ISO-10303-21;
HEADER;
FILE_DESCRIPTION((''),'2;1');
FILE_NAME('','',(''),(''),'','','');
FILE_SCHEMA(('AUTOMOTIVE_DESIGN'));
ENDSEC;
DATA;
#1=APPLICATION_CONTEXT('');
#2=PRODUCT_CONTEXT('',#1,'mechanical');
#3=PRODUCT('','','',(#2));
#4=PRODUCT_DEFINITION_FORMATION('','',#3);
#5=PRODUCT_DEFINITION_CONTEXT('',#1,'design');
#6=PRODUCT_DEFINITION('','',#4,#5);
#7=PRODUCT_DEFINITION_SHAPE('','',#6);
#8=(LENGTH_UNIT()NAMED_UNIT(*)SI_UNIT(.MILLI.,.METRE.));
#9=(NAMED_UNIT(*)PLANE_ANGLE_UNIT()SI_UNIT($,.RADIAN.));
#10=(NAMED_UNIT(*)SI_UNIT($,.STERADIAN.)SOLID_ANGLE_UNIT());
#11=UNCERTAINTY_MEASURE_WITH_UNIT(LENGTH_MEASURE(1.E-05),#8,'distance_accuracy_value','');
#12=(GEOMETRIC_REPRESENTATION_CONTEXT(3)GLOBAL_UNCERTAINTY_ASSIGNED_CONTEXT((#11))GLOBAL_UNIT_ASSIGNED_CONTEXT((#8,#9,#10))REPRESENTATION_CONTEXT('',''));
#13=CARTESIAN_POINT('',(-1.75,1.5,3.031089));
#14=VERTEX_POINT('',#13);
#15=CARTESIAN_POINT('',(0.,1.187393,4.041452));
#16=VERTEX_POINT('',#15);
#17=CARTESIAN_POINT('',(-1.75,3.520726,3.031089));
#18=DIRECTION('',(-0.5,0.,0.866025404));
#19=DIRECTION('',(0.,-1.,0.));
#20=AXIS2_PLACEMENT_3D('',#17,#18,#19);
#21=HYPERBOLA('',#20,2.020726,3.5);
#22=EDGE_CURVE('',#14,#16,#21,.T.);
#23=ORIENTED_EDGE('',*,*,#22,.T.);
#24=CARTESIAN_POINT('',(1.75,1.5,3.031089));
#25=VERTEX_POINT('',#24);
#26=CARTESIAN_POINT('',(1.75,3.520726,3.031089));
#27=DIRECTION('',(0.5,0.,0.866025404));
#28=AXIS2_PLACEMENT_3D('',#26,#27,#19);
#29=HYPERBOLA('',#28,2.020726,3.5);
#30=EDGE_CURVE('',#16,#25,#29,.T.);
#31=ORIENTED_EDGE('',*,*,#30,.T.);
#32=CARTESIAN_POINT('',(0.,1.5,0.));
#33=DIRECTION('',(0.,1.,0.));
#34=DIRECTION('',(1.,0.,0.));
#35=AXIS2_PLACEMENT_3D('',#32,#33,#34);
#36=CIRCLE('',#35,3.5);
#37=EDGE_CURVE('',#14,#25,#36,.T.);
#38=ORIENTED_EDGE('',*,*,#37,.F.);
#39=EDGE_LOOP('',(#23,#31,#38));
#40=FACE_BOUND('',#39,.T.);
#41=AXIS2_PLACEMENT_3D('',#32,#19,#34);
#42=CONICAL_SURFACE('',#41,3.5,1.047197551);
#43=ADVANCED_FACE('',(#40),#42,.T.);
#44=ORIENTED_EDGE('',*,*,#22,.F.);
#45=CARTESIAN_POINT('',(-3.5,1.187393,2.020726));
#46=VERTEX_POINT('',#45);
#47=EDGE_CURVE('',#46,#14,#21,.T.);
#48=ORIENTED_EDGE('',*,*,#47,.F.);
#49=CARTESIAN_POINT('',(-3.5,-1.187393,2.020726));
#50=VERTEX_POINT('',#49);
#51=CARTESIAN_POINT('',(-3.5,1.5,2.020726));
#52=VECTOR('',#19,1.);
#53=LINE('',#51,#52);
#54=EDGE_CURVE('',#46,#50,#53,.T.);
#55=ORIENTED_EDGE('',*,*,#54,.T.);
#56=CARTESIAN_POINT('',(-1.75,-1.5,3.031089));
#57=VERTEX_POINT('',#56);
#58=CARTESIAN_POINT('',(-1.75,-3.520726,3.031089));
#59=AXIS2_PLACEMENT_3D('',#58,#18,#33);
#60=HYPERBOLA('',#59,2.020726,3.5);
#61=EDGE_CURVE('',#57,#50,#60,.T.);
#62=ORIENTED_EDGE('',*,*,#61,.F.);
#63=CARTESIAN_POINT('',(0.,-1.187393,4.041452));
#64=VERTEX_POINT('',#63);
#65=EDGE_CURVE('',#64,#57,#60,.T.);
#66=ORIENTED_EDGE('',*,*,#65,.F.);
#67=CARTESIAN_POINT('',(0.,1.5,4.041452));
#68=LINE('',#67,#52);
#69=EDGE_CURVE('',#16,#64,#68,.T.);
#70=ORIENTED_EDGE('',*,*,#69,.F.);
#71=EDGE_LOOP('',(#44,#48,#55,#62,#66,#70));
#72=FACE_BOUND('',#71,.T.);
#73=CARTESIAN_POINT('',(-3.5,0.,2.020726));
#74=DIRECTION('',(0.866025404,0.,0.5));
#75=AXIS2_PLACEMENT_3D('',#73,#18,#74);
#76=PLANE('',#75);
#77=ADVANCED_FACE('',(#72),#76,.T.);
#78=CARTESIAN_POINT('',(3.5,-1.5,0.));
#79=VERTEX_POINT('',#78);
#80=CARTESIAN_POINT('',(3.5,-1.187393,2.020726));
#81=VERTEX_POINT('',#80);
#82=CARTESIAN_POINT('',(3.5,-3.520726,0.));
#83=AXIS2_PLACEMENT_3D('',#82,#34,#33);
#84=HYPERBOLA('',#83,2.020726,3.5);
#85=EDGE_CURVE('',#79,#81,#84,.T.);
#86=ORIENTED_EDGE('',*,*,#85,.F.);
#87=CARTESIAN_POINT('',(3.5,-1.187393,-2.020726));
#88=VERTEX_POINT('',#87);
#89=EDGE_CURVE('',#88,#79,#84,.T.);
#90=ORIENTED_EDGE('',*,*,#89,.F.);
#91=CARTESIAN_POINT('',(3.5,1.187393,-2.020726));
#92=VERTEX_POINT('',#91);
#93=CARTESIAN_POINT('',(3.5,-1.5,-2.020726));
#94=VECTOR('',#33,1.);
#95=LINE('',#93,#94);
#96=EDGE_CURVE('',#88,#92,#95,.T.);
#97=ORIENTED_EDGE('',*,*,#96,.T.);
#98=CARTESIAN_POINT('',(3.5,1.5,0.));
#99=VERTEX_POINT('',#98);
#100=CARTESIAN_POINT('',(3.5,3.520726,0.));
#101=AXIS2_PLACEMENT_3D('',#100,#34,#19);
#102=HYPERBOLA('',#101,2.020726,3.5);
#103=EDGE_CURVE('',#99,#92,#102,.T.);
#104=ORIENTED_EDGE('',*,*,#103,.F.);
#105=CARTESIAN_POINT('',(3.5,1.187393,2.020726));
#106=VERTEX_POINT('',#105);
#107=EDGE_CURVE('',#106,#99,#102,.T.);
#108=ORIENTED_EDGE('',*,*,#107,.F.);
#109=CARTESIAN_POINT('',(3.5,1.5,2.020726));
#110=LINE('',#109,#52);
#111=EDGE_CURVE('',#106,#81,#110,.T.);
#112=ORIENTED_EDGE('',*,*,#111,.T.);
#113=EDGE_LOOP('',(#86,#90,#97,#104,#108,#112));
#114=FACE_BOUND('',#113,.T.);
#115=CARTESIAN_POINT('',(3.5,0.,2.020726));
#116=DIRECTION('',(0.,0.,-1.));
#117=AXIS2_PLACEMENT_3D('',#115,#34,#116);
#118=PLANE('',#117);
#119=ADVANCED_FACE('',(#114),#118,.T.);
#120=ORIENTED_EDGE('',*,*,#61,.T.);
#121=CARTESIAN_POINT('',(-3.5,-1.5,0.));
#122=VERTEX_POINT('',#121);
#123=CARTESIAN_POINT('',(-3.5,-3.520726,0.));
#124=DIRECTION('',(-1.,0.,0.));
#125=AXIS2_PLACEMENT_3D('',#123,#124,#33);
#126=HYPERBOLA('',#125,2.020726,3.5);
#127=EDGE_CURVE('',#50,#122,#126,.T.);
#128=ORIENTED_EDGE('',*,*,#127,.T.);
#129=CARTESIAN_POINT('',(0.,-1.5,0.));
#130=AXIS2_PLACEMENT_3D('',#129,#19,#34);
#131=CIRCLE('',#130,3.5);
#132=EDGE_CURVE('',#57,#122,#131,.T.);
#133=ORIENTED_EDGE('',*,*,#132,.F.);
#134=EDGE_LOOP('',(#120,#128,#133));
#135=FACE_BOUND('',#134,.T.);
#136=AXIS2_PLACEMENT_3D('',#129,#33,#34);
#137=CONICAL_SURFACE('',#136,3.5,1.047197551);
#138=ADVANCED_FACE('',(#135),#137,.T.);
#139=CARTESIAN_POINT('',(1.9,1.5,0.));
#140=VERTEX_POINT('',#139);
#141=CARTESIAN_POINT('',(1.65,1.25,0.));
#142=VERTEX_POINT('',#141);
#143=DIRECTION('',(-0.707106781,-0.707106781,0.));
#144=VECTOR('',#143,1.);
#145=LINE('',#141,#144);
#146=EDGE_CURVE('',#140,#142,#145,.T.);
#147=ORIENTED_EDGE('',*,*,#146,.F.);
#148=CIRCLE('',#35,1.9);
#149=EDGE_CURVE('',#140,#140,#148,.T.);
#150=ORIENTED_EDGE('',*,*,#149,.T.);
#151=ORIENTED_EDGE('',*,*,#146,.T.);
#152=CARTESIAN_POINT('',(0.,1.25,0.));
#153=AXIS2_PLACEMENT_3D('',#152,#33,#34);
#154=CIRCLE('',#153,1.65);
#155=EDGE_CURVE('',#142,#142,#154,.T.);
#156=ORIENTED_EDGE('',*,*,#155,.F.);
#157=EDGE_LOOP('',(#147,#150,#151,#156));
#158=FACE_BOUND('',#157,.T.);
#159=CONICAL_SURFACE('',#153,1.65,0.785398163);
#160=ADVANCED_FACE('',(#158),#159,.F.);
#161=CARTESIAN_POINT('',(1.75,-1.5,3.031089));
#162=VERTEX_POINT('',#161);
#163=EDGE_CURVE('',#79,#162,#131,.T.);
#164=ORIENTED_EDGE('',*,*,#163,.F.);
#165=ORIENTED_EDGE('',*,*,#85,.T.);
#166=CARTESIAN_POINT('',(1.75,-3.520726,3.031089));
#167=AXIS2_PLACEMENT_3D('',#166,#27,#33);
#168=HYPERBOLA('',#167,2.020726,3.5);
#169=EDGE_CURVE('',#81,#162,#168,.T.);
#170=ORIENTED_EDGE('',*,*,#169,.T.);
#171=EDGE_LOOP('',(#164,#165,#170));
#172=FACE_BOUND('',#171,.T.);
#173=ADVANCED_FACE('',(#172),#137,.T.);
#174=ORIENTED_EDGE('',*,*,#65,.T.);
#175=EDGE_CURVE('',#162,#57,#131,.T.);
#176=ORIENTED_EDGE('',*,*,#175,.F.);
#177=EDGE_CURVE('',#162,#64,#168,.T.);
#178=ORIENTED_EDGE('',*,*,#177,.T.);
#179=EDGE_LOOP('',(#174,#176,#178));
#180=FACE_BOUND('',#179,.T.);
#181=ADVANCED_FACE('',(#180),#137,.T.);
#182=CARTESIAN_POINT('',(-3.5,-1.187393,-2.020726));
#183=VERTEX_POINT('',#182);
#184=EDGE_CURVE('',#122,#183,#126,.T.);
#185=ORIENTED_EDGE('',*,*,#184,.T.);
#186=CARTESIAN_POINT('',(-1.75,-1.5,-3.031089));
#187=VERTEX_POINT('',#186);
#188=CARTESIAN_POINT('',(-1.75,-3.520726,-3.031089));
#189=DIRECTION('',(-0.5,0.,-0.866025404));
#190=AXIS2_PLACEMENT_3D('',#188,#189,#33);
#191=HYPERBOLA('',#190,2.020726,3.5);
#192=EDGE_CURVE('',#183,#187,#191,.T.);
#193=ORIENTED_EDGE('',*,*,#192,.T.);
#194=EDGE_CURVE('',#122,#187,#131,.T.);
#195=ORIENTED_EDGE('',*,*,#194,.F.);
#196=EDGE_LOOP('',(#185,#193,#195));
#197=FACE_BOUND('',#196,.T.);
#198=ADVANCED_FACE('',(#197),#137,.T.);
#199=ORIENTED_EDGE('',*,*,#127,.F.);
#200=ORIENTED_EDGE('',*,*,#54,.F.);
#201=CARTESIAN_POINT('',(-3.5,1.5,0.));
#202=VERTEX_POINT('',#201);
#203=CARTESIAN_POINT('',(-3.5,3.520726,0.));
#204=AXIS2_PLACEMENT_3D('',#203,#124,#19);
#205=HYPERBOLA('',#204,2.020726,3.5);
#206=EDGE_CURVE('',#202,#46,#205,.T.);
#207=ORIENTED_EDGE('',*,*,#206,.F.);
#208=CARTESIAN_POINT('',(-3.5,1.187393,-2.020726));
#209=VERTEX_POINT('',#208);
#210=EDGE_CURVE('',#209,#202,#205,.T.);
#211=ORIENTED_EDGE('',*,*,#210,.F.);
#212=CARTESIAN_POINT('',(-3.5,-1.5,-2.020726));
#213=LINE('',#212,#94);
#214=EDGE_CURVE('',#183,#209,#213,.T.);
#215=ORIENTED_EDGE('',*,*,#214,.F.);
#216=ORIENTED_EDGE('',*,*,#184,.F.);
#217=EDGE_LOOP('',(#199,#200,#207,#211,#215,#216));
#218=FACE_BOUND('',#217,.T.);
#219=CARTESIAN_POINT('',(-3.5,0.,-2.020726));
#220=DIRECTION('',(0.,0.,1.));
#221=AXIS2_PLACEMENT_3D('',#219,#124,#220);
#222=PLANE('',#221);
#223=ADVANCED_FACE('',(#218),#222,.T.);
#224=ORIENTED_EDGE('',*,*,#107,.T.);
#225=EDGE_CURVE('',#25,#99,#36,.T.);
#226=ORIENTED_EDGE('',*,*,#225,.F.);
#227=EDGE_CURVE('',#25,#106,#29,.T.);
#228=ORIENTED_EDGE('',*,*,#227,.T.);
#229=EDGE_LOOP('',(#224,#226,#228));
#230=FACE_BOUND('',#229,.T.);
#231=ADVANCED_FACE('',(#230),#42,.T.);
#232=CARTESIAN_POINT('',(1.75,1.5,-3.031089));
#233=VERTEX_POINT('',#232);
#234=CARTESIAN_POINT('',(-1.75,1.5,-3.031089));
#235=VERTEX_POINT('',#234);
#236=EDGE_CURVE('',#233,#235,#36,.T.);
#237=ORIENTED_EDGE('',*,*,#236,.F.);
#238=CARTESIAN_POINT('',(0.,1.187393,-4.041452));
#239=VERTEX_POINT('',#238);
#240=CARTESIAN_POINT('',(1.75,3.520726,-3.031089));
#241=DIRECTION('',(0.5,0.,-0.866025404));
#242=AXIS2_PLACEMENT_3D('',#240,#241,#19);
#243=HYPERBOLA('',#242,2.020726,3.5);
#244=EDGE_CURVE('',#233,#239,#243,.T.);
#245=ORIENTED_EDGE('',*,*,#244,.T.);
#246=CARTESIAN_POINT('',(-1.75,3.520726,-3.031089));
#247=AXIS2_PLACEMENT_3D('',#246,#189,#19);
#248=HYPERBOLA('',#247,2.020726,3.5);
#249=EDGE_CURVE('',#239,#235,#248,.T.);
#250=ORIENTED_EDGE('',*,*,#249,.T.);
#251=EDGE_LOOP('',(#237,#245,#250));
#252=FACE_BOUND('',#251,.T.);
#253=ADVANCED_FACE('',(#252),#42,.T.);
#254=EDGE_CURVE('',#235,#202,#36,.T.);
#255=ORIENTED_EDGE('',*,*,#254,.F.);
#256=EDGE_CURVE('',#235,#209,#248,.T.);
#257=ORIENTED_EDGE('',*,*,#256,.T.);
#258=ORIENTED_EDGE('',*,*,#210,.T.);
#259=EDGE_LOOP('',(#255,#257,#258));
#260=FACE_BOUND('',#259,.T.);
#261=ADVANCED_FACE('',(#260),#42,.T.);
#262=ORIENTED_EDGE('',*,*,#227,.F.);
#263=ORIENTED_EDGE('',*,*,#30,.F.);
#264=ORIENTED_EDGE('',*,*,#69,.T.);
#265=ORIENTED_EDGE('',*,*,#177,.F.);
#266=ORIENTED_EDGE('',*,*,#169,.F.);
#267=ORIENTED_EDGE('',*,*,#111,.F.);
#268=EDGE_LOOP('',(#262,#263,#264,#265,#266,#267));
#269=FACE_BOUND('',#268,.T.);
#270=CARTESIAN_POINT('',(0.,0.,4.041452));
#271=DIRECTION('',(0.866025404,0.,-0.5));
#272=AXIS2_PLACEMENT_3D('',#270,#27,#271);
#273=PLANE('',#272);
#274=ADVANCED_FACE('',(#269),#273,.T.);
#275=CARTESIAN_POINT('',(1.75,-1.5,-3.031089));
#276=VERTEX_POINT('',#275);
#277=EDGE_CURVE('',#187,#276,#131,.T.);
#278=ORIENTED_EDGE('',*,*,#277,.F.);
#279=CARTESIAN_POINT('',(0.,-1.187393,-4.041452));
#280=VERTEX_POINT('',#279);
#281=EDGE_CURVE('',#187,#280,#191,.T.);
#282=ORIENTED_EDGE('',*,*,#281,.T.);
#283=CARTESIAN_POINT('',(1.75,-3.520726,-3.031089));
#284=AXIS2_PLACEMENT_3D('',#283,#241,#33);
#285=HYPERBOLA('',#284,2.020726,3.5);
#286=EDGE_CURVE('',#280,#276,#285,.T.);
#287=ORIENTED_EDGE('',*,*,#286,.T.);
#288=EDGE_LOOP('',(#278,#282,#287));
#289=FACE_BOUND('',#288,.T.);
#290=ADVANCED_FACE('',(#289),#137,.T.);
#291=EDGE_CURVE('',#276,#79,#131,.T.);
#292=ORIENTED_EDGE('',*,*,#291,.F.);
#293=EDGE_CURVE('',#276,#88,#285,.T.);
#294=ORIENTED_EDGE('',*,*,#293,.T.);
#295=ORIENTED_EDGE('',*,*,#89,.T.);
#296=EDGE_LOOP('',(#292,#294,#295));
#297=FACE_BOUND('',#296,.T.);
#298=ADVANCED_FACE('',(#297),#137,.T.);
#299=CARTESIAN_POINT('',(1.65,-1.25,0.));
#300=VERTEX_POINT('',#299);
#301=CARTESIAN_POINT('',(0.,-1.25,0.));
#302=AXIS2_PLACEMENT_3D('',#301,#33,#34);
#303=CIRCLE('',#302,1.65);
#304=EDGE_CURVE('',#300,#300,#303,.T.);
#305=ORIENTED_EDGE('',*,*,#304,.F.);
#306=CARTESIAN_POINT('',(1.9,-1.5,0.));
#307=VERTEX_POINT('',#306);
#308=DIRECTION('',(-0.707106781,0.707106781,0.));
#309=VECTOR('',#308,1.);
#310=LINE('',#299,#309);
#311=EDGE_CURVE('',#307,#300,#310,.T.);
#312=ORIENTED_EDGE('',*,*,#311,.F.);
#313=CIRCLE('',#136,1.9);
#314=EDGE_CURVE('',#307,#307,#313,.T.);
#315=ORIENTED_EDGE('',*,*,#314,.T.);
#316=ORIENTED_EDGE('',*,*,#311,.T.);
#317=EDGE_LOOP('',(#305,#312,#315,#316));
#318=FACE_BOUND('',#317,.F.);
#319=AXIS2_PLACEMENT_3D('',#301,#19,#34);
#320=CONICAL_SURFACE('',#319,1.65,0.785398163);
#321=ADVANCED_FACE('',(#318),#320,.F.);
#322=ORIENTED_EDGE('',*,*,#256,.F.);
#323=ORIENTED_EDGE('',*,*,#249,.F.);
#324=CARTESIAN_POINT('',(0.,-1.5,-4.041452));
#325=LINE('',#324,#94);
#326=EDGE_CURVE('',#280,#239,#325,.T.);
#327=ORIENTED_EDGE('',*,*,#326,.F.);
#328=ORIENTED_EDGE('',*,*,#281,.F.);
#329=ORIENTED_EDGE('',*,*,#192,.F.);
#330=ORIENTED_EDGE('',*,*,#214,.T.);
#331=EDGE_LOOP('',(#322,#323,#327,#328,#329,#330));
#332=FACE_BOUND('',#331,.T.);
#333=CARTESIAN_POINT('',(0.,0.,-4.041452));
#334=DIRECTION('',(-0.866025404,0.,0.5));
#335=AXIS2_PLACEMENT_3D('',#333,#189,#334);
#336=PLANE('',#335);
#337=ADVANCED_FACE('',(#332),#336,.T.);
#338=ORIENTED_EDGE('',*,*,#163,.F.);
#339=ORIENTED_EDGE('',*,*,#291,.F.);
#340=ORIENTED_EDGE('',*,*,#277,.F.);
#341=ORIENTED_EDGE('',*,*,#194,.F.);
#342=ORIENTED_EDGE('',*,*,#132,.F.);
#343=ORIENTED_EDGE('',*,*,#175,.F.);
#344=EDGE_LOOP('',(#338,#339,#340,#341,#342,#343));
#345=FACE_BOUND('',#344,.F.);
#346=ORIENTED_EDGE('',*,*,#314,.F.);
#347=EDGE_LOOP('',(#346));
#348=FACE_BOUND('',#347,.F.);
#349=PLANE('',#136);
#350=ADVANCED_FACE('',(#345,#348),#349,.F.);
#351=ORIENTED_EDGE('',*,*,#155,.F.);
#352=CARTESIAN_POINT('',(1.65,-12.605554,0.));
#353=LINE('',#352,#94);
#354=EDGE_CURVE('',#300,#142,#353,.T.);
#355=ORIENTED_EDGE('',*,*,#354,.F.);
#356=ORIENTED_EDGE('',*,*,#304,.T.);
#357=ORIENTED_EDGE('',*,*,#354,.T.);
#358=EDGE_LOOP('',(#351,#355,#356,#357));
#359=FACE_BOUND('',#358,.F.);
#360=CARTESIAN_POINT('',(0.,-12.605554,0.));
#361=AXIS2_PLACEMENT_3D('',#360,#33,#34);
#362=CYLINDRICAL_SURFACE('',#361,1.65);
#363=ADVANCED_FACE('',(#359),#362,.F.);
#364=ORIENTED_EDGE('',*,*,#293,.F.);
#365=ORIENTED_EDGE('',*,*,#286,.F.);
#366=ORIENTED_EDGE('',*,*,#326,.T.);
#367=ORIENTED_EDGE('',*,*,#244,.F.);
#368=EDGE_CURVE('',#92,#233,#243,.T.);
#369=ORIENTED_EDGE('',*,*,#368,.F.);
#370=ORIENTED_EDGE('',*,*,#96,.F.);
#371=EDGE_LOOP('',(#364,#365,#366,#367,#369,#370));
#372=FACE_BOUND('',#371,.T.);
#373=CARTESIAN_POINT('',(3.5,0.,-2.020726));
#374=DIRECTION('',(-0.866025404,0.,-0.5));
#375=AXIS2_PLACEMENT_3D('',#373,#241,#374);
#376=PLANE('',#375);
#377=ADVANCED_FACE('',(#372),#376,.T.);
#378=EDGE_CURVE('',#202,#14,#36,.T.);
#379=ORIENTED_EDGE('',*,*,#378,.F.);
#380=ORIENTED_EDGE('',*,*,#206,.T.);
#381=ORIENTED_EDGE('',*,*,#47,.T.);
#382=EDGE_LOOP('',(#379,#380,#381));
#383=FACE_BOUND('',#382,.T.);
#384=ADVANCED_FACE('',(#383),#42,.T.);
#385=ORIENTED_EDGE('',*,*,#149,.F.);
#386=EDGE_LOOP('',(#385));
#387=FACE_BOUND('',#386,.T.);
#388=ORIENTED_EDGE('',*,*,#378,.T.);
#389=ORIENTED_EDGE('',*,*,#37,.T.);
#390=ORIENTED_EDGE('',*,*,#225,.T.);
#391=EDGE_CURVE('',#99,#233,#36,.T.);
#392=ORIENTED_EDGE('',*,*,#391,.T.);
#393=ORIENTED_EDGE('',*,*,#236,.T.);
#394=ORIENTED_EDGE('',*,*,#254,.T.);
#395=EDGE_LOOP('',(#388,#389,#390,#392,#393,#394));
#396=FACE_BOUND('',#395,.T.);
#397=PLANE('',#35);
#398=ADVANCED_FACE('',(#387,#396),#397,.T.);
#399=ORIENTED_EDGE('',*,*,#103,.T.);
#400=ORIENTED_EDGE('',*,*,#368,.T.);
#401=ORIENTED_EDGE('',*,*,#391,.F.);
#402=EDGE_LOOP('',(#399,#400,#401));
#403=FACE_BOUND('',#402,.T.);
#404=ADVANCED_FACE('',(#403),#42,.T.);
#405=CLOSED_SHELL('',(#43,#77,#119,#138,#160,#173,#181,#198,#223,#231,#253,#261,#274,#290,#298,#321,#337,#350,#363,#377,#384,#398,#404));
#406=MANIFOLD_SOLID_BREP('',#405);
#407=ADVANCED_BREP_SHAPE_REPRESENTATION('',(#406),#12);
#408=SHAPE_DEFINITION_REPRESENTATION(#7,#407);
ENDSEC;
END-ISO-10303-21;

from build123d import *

# Parameters (mm, degrees)
BOSS_EXTRUDE1_DEPTH     = 1.5
SKETCH2_OUTSIDE_W       = 19.534
SKETCH2_OUTSIDE_H       = 20.616
SKETCH2_OUTSIDE_R       = 3.5
CUT_EXTRUDE1_DEPTH      = 2.4
CUT_EXTRUDE1_DRAFT      = -60
MIRROR1_COPY_1_SKETCH_W = 19.534
MIRROR1_COPY_1_SKETCH_H = 20.616
MIRROR1_COPY_1_SKETCH_R = 3.5
MIRROR1_COPY_1_DEPTH    = 2.4
MIRROR1_COPY_1_DRAFT    = -60
TAPPED_HOLE1_D          = 3.3
CHAMFER1_SIZE           = 0.25


with BuildPart() as part:
    # Sketch1 → Boss-Extrude1 (new, symmetric)
    with BuildSketch(Plane(origin=(0, 0, 0), x_dir=(1, 0, 0), z_dir=(0, 1, 0))):
        Polygon((3.5, -2.020725942), (3.5, 2.020725942), (0, 4.041451884), (-3.5, 2.020725942), (-3.5, -2.020725942), (0, -4.041451884), align=None)
    extrude(amount=BOSS_EXTRUDE1_DEPTH, both=True)


with BuildPart() as cut_extrude1_tool:
    # Sketch2 outside → Cut-Extrude1 (with draft: the straight prism first)
    with BuildSketch(Plane(origin=(0, 1.5, 0), x_dir=(1, 0, 0), z_dir=(0, 1, 0))):
        Rectangle(SKETCH2_OUTSIDE_W, SKETCH2_OUTSIDE_H)
        Circle(SKETCH2_OUTSIDE_R, mode=Mode.SUBTRACT)
    extrude(amount=-CUT_EXTRUDE1_DEPTH)
    # Cut-Extrude1: the draft: its side faces are tilted about the plane it starts from
    cut_extrude1_sides = [cut_extrude1_tool.faces().sort_by_distance(p)[0] for p in [
        (0, 0.3, 10.308),
        (9.767, 0.3, 0),
        (0, 0.3, -10.308),
        (-9.767, 0.3, 0),
        (-3.5, 0.3, 0),
    ]]
    draft(cut_extrude1_sides, Plane(origin=(0, 1.5, 0), x_dir=(1, 0, 0), z_dir=(0, 1, 0)), CUT_EXTRUDE1_DRAFT)


with BuildPart() as part_1:
    add(part.part)

    # Cut-Extrude1: cut by cut_extrude1_tool
    add(cut_extrude1_tool.part, mode=Mode.SUBTRACT)


with BuildPart() as mirror1_copy_1_tool:
    # Mirror1 copy 1 sketch → Mirror1 copy 1 (with draft: the straight prism first)
    with BuildSketch(Plane.XZ.offset(1.5)):
        Rectangle(MIRROR1_COPY_1_SKETCH_W, MIRROR1_COPY_1_SKETCH_H)
        Circle(MIRROR1_COPY_1_SKETCH_R, mode=Mode.SUBTRACT)
    extrude(amount=-MIRROR1_COPY_1_DEPTH)
    # Mirror1 copy 1: the draft: its side faces are tilted about the plane it starts from
    mirror1_copy_1_sides = [mirror1_copy_1_tool.faces().sort_by_distance(p)[0] for p in [
        (0, -0.3, 10.308),
        (9.767, -0.3, 0),
        (0, -0.3, -10.308),
        (-9.767, -0.3, 0),
        (-3.5, -0.3, 0),
    ]]
    draft(mirror1_copy_1_sides, Plane.XZ.offset(1.5), MIRROR1_COPY_1_DRAFT)


with BuildPart() as part_2:
    add(part_1.part)

    # Mirror1 copy 1: cut by mirror1_copy_1_tool
    add(mirror1_copy_1_tool.part, mode=Mode.SUBTRACT)

    # Tapped Hole1 (through all)
    with Locations(Plane(origin=(0, -1.5, 0), x_dir=(-1, 0, 0), z_dir=(0, -1, 0))):
        with Locations((0, 0)):
            Hole(TAPPED_HOLE1_D / 2)

    # Chamfer1
    chamfer1_edges = [part_2.edges().sort_by_distance(p)[0] for p in [
        (-1.65, -1.5, 0),
        (-1.65, 1.5, 0),
    ]]
    chamfer(chamfer1_edges, length=CHAMFER1_SIZE)


solid = part_2.part
